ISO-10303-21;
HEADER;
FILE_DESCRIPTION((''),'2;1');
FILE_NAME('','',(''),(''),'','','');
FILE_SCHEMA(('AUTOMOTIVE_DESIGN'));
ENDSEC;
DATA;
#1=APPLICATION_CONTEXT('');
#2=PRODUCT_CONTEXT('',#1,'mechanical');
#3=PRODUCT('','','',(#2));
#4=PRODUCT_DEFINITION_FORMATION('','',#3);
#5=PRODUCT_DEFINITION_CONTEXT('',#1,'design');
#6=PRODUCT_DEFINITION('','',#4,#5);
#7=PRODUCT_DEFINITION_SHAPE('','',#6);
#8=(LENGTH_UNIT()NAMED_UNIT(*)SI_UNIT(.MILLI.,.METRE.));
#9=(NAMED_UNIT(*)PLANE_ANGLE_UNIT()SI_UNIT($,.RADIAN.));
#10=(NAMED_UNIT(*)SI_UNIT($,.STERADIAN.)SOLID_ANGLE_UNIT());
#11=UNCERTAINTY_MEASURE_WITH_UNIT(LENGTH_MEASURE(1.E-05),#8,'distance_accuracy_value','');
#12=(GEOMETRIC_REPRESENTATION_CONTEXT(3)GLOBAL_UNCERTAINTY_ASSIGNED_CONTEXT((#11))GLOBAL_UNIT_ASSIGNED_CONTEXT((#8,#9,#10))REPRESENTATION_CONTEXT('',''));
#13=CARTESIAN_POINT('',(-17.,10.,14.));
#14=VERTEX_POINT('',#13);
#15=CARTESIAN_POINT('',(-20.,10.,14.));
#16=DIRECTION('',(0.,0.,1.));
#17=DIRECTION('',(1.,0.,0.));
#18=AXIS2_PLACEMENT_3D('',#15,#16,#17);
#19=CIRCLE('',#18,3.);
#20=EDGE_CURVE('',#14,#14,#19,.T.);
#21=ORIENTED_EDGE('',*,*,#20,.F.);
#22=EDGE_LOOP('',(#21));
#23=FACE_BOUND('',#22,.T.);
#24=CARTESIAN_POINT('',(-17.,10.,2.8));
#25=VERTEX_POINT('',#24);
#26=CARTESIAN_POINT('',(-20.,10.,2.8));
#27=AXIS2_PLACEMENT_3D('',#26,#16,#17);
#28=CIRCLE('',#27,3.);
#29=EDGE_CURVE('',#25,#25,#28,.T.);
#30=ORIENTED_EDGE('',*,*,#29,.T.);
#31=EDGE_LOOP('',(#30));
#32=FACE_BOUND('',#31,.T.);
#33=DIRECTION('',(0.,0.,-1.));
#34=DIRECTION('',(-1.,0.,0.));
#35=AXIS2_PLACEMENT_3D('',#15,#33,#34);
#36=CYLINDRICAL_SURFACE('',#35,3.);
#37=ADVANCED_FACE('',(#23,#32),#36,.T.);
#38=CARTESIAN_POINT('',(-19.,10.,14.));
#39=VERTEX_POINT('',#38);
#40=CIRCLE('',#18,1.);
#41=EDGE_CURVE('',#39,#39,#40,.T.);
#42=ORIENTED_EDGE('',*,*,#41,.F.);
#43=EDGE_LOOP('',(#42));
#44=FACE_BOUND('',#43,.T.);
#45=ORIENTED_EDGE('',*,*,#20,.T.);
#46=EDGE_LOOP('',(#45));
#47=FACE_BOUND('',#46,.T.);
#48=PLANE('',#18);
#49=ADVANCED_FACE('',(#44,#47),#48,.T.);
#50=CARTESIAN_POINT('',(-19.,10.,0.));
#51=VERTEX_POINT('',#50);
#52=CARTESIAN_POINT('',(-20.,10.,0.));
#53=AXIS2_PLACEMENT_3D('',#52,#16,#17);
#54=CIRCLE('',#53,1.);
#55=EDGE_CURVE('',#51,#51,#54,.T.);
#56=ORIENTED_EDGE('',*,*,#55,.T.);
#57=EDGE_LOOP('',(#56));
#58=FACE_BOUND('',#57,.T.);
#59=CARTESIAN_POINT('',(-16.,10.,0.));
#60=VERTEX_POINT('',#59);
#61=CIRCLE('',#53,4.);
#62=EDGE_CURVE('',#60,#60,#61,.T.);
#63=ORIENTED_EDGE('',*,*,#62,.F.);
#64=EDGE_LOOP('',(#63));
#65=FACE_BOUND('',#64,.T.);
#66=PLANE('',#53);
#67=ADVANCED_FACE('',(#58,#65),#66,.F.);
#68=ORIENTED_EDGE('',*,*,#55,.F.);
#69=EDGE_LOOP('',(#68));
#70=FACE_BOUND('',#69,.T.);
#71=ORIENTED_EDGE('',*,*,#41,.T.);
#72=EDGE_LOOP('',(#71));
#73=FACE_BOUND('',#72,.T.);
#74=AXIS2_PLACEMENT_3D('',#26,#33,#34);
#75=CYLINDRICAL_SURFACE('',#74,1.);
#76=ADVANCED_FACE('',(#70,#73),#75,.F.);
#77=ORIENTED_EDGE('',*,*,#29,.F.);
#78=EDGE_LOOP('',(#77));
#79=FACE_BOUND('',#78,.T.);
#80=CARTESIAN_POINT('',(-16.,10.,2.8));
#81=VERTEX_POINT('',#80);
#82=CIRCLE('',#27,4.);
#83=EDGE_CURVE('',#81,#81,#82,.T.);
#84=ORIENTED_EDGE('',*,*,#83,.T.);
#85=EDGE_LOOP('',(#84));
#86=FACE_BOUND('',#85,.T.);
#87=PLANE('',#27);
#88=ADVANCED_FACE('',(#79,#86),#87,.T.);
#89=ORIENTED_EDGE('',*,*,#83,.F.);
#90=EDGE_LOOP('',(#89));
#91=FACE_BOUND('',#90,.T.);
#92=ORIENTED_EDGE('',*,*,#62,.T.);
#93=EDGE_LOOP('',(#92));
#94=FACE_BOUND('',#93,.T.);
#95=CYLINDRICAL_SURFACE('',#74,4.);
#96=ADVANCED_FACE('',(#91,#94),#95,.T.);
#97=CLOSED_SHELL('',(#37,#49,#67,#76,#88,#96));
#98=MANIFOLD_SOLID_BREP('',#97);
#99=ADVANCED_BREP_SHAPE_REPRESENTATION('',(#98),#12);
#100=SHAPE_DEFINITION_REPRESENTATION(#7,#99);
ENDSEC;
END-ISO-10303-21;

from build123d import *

# Parameters (mm, degrees)
SKETCH1_R           = 4
SKETCH1_R_2         = 1
BOSS_EXTRUDE1_DEPTH = 2.8
SKETCH2_R           = 3
SKETCH2_R_2         = 1
BOSS_EXTRUDE2_DEPTH = 11.2


with BuildPart() as part:
    # Sketch1 → Boss-Extrude1 (new body)
    with BuildSketch(Plane.XY):
        with Locations((-20, 10)):
            Circle(SKETCH1_R)
        with Locations((-20, 10)):
            Circle(SKETCH1_R_2, mode=Mode.SUBTRACT)
    extrude(amount=BOSS_EXTRUDE1_DEPTH)

    # Sketch2 → Boss-Extrude2 (add)
    with BuildSketch(Plane.XY.offset(2.8)):
        with Locations((-20, 10)):
            Circle(SKETCH2_R)
        with Locations((-20, 10)):
            Circle(SKETCH2_R_2, mode=Mode.SUBTRACT)
    extrude(amount=BOSS_EXTRUDE2_DEPTH)


solid = part.part
